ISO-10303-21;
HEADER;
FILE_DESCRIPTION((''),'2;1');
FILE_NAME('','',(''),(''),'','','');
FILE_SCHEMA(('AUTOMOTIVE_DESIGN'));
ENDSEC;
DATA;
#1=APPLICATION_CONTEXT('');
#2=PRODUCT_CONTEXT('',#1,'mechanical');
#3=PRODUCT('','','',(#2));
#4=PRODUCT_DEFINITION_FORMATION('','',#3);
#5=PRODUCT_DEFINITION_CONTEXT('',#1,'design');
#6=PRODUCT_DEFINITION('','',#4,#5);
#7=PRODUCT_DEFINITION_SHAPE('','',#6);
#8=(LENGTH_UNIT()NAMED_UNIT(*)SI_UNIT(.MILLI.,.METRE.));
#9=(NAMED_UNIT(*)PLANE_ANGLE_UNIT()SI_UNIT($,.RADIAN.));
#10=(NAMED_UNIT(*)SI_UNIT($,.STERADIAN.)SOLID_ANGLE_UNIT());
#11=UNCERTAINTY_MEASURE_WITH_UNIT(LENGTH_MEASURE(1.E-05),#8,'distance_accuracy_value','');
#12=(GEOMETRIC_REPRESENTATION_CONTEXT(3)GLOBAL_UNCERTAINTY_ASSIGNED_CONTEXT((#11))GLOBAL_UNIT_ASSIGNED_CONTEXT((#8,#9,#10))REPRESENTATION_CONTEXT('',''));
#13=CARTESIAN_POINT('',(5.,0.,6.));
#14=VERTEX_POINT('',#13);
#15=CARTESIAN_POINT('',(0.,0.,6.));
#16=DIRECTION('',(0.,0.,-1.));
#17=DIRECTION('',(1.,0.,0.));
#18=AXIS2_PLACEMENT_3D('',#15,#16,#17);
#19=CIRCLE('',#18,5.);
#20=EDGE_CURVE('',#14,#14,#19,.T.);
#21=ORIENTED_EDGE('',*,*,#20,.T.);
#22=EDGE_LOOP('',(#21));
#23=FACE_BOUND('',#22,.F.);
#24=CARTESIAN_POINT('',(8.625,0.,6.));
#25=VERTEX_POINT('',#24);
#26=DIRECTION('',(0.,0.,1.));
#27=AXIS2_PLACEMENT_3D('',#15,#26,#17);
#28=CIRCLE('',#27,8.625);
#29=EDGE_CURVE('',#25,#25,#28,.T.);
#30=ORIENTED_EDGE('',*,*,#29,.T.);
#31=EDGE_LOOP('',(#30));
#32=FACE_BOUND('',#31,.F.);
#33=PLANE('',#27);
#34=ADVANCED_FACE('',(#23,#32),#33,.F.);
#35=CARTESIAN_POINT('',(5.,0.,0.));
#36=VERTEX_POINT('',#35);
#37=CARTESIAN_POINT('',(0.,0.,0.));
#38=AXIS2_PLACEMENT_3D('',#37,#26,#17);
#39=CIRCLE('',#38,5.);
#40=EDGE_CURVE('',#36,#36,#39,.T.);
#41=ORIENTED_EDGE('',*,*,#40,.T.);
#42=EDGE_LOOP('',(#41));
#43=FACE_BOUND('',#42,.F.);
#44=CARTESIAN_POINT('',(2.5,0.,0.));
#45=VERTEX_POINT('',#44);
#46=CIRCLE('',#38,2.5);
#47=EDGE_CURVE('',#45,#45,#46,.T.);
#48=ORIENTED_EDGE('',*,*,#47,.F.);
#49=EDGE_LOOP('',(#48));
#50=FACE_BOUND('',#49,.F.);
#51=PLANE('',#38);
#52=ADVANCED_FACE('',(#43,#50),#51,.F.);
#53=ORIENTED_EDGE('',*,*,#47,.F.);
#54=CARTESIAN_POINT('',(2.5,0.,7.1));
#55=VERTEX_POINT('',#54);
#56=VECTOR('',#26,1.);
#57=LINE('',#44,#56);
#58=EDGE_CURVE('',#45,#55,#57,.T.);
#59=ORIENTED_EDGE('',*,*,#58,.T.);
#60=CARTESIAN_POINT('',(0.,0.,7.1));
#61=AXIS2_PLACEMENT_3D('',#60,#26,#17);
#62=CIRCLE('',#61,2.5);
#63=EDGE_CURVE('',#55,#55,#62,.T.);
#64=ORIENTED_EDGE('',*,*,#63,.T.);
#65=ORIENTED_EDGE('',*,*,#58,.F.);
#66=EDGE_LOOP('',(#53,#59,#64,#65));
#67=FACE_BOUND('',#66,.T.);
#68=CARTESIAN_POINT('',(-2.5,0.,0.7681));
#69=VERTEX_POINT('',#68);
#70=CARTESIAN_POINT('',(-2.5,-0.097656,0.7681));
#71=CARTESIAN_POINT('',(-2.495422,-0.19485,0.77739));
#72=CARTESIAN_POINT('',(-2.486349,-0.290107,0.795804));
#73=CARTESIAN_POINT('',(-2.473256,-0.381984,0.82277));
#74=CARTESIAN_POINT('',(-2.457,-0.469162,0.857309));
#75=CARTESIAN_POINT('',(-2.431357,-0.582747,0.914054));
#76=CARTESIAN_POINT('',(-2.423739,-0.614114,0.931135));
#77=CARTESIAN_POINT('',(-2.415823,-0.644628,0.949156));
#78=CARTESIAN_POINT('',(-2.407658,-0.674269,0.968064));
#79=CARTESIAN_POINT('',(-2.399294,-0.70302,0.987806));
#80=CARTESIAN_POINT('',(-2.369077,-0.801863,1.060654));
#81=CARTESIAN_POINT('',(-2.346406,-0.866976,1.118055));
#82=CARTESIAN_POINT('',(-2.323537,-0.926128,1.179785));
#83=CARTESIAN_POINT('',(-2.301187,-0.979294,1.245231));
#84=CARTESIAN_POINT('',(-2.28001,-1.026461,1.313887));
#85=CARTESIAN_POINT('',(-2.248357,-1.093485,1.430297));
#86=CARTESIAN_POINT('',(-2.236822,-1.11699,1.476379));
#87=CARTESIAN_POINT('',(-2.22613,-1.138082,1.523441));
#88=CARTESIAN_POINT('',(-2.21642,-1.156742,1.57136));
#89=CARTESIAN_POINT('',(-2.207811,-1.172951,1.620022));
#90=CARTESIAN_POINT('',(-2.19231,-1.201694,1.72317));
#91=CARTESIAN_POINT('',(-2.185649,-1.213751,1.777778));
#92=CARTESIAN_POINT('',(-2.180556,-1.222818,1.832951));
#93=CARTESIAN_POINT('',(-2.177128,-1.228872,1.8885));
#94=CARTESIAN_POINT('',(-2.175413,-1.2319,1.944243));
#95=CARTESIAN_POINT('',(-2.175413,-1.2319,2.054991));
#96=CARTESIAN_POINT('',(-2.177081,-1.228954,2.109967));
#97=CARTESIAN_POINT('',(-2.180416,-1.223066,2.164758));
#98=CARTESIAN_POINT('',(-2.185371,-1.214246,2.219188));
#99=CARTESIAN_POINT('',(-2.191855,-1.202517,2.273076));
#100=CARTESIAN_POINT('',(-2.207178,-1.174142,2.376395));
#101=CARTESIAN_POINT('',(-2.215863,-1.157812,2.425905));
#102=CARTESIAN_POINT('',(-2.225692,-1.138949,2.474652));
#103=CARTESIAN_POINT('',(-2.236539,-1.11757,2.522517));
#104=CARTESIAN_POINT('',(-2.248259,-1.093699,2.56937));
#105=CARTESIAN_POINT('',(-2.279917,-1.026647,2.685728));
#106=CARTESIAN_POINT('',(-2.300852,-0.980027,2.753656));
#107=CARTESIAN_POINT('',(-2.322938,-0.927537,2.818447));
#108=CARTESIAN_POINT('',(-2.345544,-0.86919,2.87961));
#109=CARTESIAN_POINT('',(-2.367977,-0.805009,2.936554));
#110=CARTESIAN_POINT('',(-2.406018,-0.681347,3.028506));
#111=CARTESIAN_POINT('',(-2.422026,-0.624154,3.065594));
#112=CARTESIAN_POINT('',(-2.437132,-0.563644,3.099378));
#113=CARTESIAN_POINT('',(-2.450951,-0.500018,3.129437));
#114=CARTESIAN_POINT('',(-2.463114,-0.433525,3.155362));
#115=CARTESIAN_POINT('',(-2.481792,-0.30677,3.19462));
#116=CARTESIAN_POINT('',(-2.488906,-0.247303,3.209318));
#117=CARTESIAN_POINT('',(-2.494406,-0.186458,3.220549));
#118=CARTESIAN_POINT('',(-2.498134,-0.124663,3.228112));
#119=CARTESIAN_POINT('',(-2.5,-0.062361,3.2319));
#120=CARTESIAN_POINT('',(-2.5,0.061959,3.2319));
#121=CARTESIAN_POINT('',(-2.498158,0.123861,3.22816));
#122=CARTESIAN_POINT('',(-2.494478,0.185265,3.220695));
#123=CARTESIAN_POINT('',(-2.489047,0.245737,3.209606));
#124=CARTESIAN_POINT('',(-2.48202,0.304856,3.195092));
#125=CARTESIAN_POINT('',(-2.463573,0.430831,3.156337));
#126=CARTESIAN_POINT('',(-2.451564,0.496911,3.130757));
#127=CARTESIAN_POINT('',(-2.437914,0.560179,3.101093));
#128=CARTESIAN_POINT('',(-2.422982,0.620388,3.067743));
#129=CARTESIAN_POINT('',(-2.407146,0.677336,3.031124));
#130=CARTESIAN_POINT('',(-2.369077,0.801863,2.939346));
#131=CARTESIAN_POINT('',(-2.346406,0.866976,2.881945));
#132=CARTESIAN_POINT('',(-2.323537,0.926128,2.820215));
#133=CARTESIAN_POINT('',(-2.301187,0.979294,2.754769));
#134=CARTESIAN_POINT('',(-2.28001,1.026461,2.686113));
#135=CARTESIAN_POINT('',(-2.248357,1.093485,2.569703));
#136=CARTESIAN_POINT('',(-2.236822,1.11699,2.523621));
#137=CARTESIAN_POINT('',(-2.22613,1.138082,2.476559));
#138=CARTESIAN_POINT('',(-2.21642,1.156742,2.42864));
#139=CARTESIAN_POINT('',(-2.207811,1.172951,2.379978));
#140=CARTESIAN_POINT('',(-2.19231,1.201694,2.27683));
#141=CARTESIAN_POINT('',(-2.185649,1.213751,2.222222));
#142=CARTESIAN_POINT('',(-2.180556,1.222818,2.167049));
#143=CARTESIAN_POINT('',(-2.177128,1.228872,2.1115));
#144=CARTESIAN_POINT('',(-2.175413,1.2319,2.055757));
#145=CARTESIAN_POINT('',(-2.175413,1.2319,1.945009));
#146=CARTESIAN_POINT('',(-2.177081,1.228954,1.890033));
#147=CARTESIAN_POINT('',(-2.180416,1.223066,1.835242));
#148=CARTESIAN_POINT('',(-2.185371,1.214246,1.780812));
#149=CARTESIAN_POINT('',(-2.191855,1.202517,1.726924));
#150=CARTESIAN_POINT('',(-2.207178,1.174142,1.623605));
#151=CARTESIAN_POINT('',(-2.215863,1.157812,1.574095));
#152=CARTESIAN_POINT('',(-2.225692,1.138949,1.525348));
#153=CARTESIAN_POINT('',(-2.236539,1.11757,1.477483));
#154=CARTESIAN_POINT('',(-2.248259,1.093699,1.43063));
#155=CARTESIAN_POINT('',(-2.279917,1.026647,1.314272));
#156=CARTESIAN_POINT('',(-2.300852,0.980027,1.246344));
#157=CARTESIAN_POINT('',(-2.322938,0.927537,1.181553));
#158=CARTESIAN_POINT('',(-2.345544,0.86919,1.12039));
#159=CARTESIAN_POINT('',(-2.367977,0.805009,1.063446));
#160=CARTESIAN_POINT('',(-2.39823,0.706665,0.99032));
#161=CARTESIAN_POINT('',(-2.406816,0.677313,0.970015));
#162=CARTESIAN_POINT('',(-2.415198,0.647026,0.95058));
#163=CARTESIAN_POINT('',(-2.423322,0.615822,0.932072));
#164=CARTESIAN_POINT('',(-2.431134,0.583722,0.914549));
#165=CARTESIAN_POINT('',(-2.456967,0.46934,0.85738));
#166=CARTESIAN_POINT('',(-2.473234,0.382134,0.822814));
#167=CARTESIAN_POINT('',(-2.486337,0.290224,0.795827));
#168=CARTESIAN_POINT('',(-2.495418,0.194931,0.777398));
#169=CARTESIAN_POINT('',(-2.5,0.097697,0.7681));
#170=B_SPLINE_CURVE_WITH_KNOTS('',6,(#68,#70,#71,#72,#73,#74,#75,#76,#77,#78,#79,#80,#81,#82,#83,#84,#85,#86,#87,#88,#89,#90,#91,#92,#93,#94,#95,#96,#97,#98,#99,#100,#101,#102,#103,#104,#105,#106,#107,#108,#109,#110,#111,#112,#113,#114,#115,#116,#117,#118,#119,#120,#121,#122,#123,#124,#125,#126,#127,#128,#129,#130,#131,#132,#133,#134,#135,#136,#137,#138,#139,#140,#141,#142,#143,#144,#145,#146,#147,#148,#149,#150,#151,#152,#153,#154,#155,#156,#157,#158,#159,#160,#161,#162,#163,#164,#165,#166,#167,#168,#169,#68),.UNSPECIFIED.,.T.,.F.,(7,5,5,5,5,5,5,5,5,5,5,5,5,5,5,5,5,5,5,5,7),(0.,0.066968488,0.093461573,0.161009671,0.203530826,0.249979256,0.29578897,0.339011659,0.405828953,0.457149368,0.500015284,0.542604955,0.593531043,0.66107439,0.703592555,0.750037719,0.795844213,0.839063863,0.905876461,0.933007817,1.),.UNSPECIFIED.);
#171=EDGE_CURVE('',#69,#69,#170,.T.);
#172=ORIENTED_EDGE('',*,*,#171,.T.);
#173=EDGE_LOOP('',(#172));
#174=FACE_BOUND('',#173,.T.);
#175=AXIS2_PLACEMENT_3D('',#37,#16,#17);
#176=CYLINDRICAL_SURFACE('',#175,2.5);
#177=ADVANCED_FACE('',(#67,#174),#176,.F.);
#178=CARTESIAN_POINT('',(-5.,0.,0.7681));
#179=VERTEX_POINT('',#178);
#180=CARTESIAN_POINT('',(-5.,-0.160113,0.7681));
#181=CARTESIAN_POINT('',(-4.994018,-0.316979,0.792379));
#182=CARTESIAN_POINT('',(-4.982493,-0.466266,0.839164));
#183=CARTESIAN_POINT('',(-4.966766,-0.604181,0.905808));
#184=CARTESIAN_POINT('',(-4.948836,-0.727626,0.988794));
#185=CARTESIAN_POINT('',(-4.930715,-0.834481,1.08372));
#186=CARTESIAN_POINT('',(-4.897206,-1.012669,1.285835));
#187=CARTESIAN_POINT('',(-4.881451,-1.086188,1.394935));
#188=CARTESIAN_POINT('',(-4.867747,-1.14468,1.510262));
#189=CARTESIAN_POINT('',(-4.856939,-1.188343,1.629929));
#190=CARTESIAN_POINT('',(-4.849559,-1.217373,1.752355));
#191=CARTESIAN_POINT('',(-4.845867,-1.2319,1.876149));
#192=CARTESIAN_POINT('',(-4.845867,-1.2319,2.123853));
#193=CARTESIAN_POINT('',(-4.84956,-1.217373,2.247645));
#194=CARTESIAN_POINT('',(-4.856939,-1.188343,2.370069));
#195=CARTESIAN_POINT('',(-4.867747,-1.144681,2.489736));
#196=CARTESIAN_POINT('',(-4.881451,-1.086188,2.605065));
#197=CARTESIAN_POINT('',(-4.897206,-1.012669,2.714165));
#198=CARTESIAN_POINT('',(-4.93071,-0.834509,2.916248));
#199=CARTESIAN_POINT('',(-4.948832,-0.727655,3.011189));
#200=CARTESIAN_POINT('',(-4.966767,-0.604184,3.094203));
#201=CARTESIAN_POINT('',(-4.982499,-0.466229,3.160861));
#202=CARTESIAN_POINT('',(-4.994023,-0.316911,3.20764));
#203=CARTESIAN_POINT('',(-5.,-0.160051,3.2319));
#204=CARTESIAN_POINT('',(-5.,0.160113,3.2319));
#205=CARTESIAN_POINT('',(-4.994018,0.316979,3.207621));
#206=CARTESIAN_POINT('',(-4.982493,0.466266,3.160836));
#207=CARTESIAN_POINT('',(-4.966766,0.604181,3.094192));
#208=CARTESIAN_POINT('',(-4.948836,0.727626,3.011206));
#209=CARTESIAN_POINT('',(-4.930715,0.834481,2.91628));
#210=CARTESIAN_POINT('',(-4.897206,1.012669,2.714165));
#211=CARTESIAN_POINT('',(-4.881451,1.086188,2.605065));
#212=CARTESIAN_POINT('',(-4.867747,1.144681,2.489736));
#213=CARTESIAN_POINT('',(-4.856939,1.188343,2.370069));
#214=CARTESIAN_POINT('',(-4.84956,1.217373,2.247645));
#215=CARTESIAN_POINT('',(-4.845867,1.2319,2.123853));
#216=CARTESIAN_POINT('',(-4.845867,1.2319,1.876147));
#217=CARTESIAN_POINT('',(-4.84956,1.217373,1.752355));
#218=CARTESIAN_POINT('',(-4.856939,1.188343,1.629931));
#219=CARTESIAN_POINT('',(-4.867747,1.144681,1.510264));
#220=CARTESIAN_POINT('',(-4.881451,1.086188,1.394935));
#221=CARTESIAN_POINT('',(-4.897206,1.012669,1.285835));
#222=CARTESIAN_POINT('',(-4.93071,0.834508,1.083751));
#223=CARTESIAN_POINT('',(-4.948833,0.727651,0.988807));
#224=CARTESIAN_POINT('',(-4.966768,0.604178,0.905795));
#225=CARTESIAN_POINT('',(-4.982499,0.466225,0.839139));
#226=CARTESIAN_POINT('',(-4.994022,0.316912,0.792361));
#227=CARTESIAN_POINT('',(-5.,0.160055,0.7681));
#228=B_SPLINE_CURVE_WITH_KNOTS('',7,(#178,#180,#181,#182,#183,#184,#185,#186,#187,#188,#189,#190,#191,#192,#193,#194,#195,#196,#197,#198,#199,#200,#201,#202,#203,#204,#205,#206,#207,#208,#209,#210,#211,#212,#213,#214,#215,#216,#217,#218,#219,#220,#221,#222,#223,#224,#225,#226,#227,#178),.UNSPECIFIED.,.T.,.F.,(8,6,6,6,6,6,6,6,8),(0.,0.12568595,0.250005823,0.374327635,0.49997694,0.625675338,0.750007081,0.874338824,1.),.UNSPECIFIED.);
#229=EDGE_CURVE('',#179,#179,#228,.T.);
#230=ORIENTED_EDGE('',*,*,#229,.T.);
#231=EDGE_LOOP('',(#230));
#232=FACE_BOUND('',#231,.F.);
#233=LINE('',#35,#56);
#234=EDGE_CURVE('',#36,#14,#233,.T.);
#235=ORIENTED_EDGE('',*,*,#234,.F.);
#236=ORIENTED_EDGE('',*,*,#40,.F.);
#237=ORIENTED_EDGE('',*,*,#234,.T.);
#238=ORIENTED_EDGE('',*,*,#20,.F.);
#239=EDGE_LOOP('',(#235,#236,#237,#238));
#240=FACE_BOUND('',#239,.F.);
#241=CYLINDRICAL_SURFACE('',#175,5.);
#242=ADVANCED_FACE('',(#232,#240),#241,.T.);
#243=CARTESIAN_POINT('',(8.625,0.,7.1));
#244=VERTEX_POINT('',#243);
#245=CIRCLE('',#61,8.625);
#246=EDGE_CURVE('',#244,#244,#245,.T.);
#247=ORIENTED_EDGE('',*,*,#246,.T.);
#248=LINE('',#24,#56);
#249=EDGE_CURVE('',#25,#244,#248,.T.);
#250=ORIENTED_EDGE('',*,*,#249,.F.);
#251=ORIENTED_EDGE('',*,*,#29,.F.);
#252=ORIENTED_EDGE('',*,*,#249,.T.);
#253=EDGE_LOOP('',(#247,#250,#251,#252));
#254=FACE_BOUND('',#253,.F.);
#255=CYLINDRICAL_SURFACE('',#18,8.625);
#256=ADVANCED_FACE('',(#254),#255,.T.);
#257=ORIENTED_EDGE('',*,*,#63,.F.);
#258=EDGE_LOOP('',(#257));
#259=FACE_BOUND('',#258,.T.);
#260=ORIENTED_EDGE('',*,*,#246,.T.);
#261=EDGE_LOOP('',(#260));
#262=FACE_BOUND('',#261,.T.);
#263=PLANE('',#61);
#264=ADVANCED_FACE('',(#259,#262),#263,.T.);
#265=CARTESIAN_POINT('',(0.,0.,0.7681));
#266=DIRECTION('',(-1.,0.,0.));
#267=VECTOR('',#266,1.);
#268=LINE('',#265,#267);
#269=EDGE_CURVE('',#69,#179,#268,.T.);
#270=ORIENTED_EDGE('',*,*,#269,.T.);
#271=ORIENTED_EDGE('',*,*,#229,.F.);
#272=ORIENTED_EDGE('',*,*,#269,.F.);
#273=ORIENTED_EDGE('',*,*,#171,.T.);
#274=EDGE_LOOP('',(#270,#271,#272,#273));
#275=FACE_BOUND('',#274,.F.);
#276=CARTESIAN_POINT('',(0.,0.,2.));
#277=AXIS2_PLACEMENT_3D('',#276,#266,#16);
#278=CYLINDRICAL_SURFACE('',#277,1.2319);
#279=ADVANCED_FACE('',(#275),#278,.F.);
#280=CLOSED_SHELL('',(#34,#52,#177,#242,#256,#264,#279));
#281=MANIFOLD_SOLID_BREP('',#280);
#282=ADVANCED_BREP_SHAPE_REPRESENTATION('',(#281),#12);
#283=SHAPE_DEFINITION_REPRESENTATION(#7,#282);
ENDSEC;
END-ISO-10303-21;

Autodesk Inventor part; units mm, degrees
ref_plane "YZ Plane" through (0, 0, 0) normal (1, 0, 0) x (0, 1, 0)
ref_plane "XZ Plane" through (0, 0, 0) normal (0, 1, 0) x (-1, 0, 0)
ref_plane "XY Plane" through (0, 0, 0) normal (0, 0, 1) x (1, 0, 0)
sketch "Sketch1" plane through (0, 0, 0) normal (0, 0, 1) x (1, 0, 0)
  line L0 (0, 7) -> (0, -7) projected
  line L1 (-7, 0) -> (7, 0) projected
  circle A0 centre (0, 0) radius 5
  circle A1 centre (0, 0) radius 2.5
  dimension "d0" = 10
  dimension "d1" = 5
extrude "Extrusion1" add sketch "Sketch1" along normal blind 6 contours A0 L1 A1 L0 | L0 A1 L1 A0 | A0 L0 A1 L1 | L1 A1 L0 A0
sketch "Sketch2" plane through (0, 0, 6) normal (0, 0, 1) x (1, 0, 0)
  circle A0 centre (0, 0) radius 2.5 projected
  circle A1 centre (0, 0) radius 5 projected
  circle A2 centre (0, 0) radius 8.625
  dimension "d4" = 17.25
extrude "Extrusion2" add sketch "Sketch2" along normal blind 1.1 contours A1 | A2
sketch "Sketch3" plane through (0, 0, 0) normal (1, 0, 0) x (0, 1, 0)
  line L0 (0, 8.52) -> (0, -1.42) projected
  line L1 (-12.075, 0) -> (12.075, 0) projected
  point P0 (0, 0)
  point P1 (0, 2)
  dimension "d7" = 2
hole "Hole1" at (0, 0, 2) direction (-1, 0, 0) diameter 2.4638 end through all
